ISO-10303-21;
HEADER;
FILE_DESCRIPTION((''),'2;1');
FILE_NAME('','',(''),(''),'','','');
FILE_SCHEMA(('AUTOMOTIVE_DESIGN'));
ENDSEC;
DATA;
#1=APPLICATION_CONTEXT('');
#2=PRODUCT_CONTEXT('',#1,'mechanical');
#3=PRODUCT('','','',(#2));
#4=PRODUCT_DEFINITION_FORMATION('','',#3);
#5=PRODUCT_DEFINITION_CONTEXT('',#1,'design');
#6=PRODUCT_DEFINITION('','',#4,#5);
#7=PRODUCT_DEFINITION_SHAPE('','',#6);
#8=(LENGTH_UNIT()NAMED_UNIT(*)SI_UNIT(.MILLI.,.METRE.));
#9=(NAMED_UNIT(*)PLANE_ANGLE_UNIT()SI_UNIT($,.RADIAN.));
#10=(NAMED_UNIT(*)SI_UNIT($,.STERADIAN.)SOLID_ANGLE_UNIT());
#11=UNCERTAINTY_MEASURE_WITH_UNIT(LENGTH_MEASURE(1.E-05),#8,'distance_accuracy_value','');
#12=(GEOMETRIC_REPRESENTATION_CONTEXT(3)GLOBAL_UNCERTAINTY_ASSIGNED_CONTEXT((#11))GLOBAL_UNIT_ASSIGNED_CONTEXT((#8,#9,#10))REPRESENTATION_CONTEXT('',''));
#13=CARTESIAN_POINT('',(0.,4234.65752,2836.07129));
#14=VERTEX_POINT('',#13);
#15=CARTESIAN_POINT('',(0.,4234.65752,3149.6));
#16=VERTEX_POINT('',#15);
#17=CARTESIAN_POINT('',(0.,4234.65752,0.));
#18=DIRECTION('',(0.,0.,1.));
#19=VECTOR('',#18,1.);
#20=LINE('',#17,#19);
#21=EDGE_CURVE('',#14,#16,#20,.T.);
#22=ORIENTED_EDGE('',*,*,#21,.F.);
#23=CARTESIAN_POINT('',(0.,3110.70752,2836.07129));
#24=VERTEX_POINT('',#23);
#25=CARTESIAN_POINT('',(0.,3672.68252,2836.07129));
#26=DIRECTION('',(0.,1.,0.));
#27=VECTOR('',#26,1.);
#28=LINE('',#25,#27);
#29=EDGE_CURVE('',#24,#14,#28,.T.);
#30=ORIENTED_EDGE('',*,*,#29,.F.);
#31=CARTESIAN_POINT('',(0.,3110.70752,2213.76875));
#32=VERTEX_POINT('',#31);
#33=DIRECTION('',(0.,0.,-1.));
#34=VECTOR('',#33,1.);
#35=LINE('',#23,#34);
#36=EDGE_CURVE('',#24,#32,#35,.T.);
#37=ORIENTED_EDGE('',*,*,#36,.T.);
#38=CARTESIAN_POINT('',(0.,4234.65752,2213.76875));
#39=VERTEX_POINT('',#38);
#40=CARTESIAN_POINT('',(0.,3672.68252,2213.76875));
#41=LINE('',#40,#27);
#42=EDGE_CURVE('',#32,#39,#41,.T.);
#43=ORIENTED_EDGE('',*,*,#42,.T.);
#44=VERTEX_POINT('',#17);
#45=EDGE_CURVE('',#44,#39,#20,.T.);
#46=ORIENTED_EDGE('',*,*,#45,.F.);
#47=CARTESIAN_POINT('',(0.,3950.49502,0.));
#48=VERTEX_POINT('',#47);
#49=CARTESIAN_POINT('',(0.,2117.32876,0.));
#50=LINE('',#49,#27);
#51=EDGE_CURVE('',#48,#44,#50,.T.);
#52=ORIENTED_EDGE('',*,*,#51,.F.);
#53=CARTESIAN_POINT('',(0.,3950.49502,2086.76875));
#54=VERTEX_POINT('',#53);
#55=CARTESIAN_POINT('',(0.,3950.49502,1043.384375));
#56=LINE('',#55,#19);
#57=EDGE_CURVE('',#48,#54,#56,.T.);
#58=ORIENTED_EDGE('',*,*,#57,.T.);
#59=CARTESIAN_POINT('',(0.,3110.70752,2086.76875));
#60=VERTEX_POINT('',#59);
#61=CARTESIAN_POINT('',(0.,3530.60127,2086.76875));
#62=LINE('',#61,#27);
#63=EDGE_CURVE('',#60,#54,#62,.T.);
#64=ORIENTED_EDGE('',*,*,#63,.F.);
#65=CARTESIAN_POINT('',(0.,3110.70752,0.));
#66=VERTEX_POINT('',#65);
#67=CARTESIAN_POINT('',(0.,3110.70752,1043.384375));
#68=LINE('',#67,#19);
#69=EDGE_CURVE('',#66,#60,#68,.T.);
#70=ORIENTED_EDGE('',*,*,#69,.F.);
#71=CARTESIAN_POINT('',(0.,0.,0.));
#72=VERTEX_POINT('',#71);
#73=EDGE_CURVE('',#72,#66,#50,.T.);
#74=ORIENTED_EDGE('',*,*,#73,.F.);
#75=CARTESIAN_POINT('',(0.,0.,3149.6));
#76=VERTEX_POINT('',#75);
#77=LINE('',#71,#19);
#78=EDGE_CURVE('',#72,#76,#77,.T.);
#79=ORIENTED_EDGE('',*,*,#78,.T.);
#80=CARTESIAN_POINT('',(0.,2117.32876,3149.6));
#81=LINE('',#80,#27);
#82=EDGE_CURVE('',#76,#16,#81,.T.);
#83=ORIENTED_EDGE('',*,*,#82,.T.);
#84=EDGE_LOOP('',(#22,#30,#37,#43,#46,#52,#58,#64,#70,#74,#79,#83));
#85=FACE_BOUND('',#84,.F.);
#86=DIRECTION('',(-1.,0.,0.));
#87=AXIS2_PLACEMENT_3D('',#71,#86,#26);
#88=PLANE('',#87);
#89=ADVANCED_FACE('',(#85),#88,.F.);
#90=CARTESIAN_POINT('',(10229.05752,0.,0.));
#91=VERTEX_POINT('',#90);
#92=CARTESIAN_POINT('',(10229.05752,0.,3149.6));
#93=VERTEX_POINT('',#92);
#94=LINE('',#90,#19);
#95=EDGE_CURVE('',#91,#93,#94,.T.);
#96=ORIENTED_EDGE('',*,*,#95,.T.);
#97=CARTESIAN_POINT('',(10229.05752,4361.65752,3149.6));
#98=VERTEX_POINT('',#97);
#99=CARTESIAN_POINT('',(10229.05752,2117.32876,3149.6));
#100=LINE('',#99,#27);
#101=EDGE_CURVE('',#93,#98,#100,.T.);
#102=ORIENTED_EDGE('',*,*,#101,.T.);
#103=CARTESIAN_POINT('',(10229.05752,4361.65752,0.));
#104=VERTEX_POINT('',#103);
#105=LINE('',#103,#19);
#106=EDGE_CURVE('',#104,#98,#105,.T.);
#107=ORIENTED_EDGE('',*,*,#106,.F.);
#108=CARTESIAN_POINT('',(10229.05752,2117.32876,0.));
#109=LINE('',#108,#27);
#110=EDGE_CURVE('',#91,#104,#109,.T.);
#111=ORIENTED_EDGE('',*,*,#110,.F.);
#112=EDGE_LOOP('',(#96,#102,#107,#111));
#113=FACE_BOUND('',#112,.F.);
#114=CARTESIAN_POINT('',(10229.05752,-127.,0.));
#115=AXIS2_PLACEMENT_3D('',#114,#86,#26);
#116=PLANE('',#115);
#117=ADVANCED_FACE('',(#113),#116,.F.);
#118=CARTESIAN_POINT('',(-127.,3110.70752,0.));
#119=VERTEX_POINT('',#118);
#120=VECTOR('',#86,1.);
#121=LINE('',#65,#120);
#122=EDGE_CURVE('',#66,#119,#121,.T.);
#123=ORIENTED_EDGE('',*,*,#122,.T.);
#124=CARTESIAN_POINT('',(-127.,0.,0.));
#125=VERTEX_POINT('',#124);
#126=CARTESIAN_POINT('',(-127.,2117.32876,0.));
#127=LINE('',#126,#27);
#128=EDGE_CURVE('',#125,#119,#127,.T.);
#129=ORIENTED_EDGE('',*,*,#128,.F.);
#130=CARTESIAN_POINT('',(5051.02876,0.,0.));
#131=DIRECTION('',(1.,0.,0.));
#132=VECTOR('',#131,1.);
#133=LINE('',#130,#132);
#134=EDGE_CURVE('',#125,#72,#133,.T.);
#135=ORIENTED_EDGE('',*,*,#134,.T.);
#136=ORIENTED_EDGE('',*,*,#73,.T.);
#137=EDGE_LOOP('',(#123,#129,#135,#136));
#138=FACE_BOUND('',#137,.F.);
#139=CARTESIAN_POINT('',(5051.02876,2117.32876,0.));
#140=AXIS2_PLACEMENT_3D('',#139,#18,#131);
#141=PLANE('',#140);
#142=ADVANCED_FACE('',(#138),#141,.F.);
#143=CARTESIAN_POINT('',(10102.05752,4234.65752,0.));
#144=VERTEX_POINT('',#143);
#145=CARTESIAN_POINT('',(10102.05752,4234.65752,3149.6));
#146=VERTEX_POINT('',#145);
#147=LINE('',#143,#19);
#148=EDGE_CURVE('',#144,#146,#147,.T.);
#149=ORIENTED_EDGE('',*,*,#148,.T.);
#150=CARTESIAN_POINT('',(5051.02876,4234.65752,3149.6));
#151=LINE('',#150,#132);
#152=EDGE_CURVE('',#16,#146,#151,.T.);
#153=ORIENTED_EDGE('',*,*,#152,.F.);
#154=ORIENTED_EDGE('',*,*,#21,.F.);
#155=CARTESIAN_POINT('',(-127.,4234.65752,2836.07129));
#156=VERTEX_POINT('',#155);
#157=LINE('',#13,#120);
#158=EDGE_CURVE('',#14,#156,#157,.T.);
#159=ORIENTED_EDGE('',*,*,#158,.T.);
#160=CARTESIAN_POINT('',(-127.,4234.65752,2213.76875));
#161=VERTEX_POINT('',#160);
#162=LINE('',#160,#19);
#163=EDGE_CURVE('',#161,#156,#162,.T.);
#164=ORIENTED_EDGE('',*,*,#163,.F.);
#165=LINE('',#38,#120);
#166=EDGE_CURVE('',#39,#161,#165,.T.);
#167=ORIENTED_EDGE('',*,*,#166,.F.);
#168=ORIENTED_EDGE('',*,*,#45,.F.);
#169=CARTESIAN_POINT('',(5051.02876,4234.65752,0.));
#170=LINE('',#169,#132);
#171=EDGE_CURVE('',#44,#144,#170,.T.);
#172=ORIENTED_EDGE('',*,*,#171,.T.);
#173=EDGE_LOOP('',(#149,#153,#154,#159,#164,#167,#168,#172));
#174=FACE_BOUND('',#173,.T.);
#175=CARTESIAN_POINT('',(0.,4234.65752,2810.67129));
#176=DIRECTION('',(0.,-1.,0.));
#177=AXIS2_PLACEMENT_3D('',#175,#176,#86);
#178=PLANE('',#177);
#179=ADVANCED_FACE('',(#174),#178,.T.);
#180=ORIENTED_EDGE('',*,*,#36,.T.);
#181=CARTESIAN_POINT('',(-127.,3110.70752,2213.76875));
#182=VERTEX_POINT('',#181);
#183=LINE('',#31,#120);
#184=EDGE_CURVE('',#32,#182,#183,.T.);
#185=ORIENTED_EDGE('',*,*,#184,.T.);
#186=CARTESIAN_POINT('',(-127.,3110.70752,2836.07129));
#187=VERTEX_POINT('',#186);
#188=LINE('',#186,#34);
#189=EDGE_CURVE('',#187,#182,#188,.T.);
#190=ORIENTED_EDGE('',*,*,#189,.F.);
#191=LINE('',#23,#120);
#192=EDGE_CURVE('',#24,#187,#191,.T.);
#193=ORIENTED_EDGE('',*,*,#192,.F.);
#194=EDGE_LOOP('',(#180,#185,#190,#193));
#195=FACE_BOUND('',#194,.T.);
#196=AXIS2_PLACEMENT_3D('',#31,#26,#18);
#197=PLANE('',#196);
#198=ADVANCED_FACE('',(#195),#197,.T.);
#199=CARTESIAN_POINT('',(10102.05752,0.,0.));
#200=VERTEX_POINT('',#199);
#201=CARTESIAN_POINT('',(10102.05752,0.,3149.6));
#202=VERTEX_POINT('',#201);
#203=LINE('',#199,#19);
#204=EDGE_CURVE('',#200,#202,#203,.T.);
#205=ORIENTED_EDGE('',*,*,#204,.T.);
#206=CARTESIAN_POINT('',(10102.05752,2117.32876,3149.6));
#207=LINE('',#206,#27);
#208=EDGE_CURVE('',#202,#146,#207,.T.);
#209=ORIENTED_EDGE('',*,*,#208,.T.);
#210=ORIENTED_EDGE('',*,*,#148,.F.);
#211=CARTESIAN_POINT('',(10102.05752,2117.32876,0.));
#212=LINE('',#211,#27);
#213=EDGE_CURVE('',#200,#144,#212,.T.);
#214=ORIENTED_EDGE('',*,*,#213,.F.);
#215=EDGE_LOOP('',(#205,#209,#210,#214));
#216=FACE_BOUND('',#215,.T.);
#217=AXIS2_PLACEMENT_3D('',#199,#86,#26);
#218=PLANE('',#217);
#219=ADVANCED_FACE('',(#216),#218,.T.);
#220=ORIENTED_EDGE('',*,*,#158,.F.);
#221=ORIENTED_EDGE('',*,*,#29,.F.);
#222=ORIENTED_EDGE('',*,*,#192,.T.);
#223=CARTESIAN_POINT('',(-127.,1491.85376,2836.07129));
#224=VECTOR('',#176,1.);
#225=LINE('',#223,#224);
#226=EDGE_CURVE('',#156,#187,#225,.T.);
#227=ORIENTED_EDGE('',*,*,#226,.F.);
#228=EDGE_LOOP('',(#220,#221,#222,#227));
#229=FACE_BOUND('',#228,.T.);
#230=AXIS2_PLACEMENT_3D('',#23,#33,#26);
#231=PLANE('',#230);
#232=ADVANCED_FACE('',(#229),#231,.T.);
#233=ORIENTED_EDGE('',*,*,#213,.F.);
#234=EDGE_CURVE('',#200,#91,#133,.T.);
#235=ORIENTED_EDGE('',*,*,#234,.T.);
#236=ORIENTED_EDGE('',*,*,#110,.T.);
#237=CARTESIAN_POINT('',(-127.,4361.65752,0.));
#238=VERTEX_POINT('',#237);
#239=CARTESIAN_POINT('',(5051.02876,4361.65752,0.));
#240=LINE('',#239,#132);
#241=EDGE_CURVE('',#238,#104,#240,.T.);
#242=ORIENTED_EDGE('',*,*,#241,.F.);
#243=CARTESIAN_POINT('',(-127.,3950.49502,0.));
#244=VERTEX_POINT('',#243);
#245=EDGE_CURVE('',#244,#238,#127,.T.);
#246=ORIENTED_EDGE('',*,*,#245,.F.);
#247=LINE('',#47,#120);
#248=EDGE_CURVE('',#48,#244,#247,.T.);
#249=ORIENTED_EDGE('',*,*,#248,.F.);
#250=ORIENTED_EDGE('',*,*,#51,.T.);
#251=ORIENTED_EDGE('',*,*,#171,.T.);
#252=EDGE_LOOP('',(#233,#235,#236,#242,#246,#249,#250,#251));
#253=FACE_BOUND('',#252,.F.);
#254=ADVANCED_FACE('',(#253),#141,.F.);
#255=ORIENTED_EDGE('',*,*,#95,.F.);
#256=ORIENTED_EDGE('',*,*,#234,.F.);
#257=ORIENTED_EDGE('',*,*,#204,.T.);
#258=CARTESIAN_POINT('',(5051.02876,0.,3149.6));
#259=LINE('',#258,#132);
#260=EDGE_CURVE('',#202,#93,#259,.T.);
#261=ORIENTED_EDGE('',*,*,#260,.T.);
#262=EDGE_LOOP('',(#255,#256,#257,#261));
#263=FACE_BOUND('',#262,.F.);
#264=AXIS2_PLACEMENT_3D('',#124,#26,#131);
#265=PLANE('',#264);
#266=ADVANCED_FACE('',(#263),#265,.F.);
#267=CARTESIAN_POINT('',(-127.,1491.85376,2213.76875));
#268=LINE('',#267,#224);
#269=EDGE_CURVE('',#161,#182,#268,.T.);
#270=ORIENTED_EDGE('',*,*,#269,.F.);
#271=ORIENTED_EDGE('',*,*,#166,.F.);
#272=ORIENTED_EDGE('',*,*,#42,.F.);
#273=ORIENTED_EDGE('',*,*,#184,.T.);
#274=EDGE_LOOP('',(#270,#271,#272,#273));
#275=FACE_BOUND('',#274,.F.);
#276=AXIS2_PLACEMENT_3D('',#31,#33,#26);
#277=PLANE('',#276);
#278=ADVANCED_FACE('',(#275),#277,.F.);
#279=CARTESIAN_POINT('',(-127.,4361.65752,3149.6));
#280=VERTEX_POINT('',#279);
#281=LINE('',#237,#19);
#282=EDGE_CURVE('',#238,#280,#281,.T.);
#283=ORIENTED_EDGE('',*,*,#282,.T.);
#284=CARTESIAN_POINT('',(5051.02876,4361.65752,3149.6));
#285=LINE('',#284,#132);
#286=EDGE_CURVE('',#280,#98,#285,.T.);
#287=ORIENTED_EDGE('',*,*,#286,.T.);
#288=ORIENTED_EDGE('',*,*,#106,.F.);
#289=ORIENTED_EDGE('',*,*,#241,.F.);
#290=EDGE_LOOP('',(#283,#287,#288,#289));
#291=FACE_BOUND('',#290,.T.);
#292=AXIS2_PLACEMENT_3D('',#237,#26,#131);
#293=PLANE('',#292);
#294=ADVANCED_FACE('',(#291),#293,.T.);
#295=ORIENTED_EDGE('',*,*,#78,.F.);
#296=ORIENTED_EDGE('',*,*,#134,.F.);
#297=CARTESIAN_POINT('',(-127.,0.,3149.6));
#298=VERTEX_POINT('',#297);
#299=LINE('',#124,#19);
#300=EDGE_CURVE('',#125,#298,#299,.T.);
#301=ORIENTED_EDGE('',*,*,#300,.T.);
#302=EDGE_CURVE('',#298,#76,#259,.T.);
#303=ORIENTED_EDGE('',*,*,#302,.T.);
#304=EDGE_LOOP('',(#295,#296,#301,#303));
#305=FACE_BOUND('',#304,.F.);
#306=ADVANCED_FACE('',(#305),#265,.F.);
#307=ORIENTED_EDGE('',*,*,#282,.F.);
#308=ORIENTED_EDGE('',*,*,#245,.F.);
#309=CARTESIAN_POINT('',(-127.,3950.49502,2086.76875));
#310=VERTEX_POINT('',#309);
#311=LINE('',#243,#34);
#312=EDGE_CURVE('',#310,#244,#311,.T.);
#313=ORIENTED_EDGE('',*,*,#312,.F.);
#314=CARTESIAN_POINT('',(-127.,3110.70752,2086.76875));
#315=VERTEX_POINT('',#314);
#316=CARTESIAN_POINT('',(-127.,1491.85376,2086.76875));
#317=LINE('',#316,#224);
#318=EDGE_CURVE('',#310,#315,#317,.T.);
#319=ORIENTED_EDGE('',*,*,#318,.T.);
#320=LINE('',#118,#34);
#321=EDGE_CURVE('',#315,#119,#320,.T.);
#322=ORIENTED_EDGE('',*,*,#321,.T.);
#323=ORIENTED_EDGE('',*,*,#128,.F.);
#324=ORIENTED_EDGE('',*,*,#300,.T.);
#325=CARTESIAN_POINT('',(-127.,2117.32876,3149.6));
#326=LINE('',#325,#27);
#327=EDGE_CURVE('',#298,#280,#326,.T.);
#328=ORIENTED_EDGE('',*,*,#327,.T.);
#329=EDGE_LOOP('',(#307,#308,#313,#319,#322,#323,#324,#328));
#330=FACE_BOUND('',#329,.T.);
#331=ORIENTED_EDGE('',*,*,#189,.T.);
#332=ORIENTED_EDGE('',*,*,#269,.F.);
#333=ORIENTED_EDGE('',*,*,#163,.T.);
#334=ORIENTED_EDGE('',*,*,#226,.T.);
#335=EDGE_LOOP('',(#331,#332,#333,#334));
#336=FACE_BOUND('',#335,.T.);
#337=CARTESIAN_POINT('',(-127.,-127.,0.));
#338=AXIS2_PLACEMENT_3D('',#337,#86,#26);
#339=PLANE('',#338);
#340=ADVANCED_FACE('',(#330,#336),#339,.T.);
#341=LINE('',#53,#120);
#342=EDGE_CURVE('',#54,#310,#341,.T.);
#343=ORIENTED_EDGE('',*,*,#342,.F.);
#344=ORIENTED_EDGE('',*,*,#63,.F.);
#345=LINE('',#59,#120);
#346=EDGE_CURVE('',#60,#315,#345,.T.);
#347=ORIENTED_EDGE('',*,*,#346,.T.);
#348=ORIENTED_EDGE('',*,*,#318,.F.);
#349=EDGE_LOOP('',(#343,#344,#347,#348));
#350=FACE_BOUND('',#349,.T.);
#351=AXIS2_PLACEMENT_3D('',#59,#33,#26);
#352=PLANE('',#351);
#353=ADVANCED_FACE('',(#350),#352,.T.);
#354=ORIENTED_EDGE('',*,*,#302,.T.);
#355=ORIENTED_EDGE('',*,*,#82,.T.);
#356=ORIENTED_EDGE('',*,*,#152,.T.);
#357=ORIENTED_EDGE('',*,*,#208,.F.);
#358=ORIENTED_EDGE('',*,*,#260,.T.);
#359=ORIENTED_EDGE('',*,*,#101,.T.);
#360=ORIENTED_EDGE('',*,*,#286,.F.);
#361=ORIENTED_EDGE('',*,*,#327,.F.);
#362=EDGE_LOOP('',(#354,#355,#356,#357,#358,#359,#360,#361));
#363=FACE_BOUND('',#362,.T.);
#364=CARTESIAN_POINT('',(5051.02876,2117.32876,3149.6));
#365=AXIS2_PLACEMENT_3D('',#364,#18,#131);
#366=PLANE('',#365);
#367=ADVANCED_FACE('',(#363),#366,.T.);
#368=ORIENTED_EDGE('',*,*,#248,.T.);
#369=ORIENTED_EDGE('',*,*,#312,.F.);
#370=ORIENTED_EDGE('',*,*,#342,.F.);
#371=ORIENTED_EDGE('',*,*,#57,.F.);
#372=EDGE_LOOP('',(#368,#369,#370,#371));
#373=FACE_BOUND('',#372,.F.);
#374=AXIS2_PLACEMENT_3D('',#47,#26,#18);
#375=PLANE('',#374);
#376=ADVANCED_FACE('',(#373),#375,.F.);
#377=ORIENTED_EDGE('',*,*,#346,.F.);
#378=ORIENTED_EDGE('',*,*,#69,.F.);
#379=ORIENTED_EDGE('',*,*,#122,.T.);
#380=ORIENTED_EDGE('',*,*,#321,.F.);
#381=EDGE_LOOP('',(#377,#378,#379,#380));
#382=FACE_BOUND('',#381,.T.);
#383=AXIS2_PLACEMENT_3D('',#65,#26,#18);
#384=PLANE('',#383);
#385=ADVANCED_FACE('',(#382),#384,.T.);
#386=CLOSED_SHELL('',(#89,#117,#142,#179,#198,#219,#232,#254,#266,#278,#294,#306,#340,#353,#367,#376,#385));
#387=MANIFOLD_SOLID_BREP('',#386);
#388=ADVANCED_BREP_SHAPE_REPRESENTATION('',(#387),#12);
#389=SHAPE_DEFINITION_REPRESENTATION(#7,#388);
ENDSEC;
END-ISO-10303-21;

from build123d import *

# Parameters (mm, degrees)
F1_W     = 10356.05752
F1_H     = 4488.65752
F1_W_2   = 10102.05752
F1_H_2   = 4234.65752
F2_DEPTH = 3149.6
F3_W     = 839.7875
F3_H     = 2086.76875
F4_DEPTH = 127.001
F5_W     = 1123.95
F5_H     = 457.20254
F6_DEPTH = 127.001
F7_DEPTH = 127
F8_DEPTH = 139.7
F9_DEPTH = 25.4


with BuildPart() as f2:
    # F1 (on face) → F2 (new body)
    with BuildSketch(Plane.XY):
        with Locations((5051.02876, 2117.32876)):
            Rectangle(F1_W, F1_H)
        with Locations((5051.02876, 2117.32876)):
            Rectangle(F1_W_2, F1_H_2, mode=Mode.SUBTRACT)
    extrude(amount=F2_DEPTH)

    # F3 (on face) → F4 (cut, through all)
    with BuildSketch(Plane.YZ):
        with Locations((3530.60127, 1043.384375)):
            Rectangle(F3_W, F3_H)
    extrude(amount=-F4_DEPTH, mode=Mode.SUBTRACT)

    # F5 (on face) → F6 (cut, through all)
    with BuildSketch(Plane.YZ):
        with Locations((3672.68252, 2442.37002)):
            Rectangle(F5_W, F5_H)
    extrude(amount=-F6_DEPTH, mode=Mode.SUBTRACT)

    # F7 (cut): a face of the model
    f7_faces = [f2.faces().sort_by_distance(p)[0] for p in [
        (5051.02876, -127, 1574.8),
    ]]
    extrude(f7_faces, amount=-F7_DEPTH, mode=Mode.SUBTRACT)

    # F8 (cut): a face of the model
    f8_faces = [f2.faces().sort_by_distance(p)[0] for p in [
        (-63.5, 3672.68252, 2670.97129),
    ]]
    extrude(f8_faces, amount=-F8_DEPTH, mode=Mode.SUBTRACT)

    # F9 (cut): a face of the model
    f9_faces = [f2.faces().sort_by_distance(p)[0] for p in [
        (-63.5, 3672.68252, 2810.67129),
    ]]
    extrude(f9_faces, amount=-F9_DEPTH, mode=Mode.SUBTRACT)


solid = f2.part
